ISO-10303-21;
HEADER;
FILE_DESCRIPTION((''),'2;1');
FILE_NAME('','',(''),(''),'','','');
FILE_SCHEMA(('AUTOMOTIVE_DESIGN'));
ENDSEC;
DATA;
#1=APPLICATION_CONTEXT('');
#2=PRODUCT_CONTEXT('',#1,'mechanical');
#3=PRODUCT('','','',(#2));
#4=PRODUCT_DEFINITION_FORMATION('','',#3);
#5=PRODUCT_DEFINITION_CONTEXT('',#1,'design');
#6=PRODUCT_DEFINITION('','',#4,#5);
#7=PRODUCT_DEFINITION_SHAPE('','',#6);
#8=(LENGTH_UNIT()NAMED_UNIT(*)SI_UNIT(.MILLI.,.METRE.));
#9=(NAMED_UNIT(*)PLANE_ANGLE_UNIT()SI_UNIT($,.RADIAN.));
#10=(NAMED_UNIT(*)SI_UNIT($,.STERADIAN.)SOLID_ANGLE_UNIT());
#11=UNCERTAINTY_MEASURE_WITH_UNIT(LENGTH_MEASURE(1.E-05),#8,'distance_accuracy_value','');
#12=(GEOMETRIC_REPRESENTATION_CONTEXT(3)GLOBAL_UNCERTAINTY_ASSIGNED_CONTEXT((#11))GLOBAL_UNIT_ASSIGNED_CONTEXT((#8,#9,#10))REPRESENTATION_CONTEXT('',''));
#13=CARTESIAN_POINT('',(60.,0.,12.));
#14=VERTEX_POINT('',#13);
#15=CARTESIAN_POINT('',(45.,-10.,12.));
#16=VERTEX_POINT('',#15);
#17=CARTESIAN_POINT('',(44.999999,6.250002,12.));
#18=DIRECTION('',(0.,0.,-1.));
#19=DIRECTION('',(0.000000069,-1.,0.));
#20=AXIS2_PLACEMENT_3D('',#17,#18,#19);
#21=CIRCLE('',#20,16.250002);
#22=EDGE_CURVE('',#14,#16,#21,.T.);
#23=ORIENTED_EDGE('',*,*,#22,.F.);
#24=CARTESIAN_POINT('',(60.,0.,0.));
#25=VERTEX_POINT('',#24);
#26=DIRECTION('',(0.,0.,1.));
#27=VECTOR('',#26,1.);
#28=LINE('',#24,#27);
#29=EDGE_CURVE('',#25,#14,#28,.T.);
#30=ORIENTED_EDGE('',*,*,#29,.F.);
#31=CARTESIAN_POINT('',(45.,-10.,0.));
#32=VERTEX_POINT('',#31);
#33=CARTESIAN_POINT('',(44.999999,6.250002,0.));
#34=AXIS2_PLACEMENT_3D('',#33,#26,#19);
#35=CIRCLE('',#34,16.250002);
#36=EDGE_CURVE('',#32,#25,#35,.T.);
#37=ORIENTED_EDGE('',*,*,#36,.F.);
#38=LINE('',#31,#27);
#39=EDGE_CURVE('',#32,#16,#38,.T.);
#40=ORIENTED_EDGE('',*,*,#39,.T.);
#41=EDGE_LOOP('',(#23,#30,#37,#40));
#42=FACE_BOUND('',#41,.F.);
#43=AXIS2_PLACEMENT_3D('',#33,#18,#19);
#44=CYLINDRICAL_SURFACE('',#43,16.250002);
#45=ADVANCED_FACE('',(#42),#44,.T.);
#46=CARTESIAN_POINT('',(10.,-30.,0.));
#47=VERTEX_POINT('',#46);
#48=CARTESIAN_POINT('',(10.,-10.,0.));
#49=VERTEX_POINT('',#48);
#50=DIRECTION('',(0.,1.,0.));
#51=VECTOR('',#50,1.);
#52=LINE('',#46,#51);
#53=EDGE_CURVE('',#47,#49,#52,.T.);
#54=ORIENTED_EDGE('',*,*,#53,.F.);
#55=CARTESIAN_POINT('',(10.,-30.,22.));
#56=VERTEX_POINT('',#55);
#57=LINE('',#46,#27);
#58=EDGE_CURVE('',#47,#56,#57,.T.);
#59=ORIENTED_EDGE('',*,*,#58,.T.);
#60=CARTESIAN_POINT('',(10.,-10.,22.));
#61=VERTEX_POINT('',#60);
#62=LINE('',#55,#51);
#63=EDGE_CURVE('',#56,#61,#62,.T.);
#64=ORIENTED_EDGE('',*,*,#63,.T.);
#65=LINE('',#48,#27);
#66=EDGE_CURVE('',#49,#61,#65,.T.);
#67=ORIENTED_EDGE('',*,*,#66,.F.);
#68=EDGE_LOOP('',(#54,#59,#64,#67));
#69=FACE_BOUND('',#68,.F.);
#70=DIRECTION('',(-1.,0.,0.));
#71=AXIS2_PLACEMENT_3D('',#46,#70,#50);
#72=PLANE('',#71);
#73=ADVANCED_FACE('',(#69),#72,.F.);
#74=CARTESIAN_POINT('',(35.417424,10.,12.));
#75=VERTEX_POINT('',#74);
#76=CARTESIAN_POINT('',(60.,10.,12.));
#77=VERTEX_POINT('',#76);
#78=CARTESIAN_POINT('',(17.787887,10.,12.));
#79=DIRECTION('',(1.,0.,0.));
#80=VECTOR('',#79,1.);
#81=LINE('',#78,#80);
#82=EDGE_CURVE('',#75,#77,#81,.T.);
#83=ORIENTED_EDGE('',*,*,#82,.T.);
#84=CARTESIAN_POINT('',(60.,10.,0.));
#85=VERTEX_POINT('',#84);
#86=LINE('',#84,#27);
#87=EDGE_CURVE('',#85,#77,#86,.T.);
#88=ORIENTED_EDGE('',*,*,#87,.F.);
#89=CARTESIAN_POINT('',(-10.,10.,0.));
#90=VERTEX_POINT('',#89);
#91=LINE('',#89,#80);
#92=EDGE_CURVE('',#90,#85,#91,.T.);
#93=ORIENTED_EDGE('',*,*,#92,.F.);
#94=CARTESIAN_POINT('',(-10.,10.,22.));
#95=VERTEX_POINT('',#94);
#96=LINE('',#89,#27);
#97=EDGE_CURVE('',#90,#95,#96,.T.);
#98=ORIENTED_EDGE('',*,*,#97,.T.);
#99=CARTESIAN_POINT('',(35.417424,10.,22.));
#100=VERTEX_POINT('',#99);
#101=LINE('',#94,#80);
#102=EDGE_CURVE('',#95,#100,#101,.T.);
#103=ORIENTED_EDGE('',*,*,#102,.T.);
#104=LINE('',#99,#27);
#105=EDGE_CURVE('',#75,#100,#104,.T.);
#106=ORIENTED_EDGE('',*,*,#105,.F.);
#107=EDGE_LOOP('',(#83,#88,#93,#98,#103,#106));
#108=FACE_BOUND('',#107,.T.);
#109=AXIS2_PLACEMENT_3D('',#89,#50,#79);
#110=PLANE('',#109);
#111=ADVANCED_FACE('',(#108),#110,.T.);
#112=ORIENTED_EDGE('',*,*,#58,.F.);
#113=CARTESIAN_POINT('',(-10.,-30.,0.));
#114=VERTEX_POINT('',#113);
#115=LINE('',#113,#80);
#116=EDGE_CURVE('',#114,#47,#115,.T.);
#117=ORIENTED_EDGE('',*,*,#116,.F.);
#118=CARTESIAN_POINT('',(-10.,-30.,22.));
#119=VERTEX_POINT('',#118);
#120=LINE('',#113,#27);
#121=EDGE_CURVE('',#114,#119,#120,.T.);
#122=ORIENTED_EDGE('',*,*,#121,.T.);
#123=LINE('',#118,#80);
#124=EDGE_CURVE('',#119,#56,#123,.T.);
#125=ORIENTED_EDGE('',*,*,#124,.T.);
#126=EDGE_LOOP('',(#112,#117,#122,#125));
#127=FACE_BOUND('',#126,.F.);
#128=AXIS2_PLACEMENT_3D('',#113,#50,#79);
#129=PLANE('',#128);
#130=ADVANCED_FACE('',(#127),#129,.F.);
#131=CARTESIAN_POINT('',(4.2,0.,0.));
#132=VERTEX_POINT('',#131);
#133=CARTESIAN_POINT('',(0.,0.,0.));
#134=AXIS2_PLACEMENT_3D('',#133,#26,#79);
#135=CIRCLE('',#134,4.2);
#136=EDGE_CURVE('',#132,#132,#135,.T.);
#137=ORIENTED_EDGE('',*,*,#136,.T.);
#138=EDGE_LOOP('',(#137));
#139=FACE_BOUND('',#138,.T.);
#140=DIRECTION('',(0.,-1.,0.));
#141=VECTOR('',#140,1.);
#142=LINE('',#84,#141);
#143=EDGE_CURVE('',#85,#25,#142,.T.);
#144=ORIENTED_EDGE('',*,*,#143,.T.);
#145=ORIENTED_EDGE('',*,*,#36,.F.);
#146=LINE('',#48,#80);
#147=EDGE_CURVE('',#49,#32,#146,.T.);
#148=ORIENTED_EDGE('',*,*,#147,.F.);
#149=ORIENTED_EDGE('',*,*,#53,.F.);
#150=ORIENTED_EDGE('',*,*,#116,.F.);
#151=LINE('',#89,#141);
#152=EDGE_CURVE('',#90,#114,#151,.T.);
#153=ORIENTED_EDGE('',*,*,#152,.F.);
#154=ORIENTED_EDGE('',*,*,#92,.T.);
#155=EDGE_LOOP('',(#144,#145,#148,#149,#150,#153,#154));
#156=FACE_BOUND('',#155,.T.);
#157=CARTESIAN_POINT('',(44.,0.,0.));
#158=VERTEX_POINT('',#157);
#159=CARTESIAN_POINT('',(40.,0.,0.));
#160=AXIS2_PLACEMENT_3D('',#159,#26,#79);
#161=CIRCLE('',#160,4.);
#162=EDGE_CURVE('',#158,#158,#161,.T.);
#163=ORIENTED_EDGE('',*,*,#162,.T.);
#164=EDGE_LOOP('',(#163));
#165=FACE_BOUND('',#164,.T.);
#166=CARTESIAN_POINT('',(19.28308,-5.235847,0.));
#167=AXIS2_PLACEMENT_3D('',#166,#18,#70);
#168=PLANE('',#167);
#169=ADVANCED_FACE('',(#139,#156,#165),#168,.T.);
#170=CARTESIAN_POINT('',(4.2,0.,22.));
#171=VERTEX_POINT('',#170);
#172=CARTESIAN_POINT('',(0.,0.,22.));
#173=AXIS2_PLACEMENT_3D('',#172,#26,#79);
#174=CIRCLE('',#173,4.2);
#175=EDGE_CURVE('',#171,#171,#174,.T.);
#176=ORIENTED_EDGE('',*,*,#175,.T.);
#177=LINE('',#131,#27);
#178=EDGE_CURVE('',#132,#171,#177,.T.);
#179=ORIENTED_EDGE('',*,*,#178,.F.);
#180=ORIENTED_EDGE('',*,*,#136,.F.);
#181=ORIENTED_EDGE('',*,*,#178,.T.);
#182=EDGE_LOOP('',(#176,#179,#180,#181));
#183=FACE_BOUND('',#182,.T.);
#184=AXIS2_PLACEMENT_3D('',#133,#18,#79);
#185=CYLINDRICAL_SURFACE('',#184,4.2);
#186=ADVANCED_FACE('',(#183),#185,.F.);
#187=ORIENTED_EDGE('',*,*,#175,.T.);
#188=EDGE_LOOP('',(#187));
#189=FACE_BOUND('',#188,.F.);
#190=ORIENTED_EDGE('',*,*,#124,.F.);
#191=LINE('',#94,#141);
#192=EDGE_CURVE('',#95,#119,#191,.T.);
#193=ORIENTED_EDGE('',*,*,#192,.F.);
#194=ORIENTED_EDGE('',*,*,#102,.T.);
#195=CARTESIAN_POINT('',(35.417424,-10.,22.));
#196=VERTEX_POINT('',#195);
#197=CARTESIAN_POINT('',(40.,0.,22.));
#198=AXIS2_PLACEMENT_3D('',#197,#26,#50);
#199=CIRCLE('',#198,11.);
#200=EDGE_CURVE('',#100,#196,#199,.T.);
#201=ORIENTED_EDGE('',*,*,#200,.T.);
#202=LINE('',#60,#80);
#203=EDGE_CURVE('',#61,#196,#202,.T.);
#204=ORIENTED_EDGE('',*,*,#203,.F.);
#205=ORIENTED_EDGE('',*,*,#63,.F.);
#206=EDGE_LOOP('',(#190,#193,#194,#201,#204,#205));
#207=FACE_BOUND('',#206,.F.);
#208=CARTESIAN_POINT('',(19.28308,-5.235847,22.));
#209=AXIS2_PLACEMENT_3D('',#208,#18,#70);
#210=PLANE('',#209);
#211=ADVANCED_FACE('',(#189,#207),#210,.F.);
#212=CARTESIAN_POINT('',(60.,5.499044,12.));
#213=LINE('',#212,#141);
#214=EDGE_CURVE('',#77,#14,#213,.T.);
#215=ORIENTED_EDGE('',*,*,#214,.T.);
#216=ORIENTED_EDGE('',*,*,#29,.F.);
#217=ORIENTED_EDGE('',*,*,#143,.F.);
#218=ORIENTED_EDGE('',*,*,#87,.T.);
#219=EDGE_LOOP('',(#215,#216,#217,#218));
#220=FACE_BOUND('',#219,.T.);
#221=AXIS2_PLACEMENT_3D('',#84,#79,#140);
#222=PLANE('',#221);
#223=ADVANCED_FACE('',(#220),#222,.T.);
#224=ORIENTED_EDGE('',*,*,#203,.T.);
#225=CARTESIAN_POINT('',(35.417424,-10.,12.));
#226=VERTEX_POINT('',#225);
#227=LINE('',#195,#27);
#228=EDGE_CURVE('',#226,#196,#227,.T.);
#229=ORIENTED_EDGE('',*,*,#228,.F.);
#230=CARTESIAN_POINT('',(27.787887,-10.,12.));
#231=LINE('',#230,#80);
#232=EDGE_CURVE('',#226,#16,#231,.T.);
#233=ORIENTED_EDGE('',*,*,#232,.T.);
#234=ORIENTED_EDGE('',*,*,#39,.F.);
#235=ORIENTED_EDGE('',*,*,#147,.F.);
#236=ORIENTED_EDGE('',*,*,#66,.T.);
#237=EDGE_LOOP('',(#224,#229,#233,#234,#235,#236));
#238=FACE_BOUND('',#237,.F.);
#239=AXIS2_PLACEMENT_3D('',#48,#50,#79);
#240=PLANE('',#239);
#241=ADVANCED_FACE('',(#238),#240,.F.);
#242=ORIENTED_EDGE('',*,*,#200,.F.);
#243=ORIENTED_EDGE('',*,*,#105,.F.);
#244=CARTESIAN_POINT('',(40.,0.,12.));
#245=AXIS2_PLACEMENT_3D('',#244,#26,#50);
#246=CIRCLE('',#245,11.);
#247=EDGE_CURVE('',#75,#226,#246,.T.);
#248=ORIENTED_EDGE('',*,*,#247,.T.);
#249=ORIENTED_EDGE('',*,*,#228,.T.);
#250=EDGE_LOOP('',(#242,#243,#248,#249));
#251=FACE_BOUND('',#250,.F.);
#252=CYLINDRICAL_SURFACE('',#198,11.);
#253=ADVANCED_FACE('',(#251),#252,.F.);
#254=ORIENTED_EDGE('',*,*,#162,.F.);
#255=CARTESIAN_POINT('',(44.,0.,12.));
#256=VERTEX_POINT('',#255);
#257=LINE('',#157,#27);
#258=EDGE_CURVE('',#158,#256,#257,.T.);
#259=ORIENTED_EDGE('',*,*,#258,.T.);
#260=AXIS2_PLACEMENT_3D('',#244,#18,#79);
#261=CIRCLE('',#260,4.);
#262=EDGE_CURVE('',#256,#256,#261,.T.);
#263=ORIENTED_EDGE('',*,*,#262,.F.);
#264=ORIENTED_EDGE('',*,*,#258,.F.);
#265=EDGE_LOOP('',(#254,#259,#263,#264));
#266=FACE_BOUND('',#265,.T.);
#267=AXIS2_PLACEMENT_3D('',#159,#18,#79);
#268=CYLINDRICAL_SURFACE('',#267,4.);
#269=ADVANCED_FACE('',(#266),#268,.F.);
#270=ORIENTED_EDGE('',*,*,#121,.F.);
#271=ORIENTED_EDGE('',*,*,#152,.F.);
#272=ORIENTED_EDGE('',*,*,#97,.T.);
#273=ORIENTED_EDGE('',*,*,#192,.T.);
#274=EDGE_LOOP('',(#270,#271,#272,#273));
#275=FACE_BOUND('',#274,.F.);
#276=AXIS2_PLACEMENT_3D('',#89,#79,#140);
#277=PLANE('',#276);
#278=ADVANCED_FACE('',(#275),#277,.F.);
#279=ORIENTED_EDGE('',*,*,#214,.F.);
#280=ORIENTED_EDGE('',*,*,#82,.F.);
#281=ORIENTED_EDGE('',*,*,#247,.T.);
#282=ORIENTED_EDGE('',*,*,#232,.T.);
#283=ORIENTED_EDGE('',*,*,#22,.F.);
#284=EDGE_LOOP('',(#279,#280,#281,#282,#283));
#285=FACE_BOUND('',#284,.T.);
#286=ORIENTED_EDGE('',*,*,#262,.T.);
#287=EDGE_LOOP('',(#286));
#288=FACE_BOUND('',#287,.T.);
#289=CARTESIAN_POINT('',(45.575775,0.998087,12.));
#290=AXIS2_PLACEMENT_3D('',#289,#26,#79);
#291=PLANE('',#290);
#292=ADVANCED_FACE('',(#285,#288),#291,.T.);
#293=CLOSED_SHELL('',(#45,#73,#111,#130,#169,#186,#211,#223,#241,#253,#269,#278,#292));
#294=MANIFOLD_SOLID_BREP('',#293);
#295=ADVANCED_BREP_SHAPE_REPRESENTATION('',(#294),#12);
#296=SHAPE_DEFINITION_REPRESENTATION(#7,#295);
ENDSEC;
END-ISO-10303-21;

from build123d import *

# Parameters (mm, degrees)
PAD_DEPTH       = 22
SKETCH001_R     = 4
POCKET_DEPTH    = 20
POCKET001_DEPTH = 10
SKETCH002_R     = 4.2
POCKET002_DEPTH = 22


with BuildPart() as part:
    # Sketch → Pad (new body)
    with BuildSketch(Plane.XY):
        with BuildLine():
            Line((-10, 10), (60, 10))
            Line((60, 10), (60, 0))
            ThreePointArc((45, -10), (54.013878, -7.270817), (60, 0))
            Line((10, -10), (45, -10))
            Line((10, -30), (10, -10))
            Line((-10, -30), (10, -30))
            Line((-10, 10), (-10, -30))
        make_face()
    extrude(amount=PAD_DEPTH)

    # Sketch001 → Pocket (cut)
    with BuildSketch(Plane.XY):
        with Locations((40, 0)):
            Circle(SKETCH001_R)
    extrude(amount=POCKET_DEPTH, mode=Mode.SUBTRACT)

    # Sketch004 → Pocket001 (cut)
    with BuildSketch(Plane.XY.offset(22)):
        with BuildLine():
            ThreePointArc((40, 11), (29, 0), (40, -11))
            Line((40, -11), (45, -11))
            ThreePointArc((45, -11), (54.340905, -7.958424), (60.1, 0))
            Line((60.1, 11), (60.1, 0))
            Line((40, 11), (60.1, 11))
        make_face()
    extrude(amount=-POCKET001_DEPTH, mode=Mode.SUBTRACT)

    # Sketch002 → Pocket002 (cut)
    with BuildSketch(Plane.XY):
        Circle(SKETCH002_R)
    extrude(amount=POCKET002_DEPTH, mode=Mode.SUBTRACT)


solid = part.part
